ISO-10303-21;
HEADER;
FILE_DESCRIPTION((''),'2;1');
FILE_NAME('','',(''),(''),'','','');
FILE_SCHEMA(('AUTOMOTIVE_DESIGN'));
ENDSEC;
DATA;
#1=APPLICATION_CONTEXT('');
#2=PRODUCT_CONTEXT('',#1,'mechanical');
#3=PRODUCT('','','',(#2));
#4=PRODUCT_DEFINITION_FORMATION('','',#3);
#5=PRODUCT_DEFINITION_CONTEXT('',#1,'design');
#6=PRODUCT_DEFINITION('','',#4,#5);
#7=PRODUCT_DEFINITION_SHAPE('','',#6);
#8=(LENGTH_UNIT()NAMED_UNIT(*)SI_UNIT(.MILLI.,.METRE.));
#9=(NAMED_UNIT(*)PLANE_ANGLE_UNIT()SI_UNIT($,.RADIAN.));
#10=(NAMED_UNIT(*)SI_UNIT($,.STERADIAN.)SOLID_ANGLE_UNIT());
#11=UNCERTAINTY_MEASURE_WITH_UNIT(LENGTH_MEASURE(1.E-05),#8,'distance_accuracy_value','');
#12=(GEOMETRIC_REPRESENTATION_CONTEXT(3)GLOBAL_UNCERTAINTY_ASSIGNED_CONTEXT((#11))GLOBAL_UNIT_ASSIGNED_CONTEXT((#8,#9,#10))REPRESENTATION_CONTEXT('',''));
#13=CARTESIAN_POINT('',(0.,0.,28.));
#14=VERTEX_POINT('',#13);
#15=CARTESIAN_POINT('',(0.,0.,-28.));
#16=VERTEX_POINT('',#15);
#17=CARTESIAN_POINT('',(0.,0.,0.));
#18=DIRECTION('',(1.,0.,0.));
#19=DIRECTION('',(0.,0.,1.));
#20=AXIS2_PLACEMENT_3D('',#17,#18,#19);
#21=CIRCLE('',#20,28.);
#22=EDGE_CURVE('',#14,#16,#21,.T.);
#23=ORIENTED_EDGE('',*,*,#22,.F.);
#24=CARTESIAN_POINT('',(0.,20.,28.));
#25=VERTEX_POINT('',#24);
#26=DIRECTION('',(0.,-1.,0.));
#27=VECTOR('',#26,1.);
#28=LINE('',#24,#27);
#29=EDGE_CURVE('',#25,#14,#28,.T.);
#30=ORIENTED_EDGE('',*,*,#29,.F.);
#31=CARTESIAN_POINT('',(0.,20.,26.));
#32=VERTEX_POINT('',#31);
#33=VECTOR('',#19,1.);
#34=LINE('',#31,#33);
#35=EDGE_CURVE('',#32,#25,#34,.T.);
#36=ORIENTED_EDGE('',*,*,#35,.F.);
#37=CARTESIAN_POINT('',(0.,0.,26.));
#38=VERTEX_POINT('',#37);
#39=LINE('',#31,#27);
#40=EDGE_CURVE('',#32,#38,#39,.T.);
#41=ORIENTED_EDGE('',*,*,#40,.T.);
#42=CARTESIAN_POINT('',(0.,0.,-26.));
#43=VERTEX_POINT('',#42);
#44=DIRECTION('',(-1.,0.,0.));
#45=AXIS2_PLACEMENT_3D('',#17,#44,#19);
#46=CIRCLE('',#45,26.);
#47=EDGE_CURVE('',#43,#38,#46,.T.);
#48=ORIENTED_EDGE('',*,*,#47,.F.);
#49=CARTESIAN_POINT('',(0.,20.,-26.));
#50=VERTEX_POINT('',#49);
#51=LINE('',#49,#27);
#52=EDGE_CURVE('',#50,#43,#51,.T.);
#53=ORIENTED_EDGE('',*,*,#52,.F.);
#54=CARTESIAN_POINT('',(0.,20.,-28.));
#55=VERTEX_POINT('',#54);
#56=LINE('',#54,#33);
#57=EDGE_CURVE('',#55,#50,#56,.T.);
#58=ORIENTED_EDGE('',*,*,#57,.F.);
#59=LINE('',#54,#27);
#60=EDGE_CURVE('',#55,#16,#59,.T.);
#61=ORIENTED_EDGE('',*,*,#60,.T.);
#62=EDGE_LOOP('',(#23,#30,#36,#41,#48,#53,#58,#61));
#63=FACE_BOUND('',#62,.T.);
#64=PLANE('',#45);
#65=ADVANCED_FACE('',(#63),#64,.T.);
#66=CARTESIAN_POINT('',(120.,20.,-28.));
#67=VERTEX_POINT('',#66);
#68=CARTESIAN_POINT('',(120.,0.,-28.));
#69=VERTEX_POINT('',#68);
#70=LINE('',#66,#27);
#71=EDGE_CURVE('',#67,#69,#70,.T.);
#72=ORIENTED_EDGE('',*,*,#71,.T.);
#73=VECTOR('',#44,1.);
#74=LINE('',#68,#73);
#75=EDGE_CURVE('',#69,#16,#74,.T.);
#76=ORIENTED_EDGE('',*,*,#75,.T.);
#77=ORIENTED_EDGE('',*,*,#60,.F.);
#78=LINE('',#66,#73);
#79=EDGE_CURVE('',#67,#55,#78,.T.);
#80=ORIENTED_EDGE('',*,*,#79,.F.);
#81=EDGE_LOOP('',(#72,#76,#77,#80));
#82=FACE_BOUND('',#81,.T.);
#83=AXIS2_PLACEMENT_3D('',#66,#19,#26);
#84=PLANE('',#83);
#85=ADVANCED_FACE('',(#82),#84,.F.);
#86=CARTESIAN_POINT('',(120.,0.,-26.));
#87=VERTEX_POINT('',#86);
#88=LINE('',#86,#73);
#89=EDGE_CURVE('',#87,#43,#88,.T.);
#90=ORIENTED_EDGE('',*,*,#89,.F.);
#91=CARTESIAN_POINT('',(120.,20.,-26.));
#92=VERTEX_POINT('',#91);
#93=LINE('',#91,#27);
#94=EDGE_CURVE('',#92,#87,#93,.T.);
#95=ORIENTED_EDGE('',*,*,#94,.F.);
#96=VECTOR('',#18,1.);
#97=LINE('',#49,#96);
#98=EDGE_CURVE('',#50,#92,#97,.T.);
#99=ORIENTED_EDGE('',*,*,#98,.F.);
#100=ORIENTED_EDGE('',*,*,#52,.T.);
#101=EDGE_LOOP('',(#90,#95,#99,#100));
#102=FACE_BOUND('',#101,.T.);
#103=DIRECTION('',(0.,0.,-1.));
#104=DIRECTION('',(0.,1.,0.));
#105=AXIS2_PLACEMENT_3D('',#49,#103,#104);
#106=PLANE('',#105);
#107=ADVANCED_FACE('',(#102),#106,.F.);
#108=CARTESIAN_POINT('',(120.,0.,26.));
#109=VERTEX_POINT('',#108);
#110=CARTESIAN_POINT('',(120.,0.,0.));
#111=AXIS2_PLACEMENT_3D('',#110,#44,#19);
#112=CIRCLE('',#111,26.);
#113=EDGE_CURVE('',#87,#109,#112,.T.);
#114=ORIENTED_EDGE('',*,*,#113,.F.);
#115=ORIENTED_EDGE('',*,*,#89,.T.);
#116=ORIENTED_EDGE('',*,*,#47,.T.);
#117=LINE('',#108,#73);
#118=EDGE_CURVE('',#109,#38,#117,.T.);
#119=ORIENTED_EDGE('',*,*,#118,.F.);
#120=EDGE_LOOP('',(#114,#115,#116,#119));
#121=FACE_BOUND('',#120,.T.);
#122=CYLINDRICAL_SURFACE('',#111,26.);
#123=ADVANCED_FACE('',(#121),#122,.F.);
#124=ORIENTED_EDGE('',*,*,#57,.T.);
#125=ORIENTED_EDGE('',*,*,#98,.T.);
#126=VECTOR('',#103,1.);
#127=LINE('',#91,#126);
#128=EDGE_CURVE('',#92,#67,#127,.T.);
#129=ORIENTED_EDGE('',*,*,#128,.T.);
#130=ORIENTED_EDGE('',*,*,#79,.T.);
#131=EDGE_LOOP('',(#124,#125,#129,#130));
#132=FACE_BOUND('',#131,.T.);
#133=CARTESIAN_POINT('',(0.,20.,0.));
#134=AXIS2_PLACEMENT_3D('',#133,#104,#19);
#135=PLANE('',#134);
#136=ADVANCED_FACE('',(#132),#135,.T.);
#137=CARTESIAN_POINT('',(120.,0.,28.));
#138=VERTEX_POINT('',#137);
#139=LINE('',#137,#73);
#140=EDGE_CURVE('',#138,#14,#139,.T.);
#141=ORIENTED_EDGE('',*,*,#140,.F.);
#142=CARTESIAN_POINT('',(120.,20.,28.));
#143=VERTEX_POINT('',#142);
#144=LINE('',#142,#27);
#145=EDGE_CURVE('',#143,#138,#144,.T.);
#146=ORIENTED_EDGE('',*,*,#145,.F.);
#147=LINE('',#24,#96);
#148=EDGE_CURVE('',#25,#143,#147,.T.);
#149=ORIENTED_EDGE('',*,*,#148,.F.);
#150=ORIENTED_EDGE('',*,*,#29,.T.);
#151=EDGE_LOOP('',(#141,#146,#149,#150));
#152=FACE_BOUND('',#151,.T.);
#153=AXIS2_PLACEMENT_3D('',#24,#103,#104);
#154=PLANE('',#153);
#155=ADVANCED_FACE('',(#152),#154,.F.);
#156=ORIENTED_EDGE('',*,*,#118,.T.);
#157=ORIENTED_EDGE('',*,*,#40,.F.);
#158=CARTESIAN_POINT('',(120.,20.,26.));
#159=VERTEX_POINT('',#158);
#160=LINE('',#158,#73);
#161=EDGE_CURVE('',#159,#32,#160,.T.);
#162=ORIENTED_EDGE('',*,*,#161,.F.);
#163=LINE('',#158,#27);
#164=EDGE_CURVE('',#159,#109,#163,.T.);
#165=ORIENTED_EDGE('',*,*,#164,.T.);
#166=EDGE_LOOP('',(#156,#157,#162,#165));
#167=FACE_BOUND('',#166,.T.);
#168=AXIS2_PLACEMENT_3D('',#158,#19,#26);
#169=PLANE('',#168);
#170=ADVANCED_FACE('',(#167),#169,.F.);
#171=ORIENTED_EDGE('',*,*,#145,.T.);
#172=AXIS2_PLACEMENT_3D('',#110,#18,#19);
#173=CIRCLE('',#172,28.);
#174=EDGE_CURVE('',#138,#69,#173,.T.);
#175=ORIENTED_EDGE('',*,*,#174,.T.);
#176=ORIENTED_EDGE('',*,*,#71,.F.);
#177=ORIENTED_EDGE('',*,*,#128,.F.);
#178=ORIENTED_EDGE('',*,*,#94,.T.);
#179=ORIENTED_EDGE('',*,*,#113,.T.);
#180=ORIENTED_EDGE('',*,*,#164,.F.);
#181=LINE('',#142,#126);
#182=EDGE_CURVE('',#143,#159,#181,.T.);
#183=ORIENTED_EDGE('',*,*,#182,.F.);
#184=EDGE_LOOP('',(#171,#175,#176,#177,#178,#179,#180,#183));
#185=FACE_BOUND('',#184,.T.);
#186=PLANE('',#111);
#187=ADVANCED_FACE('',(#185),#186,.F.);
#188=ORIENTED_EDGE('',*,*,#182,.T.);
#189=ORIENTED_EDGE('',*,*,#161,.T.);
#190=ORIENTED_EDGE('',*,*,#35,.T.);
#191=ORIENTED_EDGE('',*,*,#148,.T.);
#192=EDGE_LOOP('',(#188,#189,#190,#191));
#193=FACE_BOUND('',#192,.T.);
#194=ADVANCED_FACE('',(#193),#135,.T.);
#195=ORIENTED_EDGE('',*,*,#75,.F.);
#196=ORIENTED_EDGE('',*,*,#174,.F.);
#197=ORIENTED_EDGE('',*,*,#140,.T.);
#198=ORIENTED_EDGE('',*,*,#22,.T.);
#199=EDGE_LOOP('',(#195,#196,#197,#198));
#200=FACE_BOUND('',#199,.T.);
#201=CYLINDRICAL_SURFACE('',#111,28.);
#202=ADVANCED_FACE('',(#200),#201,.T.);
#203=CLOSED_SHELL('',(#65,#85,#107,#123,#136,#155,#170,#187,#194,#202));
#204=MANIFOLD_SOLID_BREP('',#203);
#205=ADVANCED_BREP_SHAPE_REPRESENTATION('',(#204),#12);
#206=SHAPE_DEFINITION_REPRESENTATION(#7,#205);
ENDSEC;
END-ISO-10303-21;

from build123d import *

# Parameters (mm, degrees)
BOSS_EXTRUDE1_DEPTH = 120
SKETCH2_W           = 120
SKETCH2_H           = 2
BOSS_EXTRUDE2_DEPTH = 20


with BuildPart() as part:
    # Sketch1 → Boss-Extrude1 (new body)
    with BuildSketch(Plane(origin=(0, 0, 0), x_dir=(0, 0, -1), z_dir=(1, 0, 0))):
        with BuildLine():
            Line((26, 0), (28, 0))
            ThreePointArc((28, 0), (0, -28), (-28, 0))
            Line((-28, 0), (-26, 0))
            ThreePointArc((-26, 0), (0, -26), (26, 0))
        make_face()
    extrude(amount=BOSS_EXTRUDE1_DEPTH)

    # Sketch2 → Boss-Extrude2 (add)
    with BuildSketch(Plane(origin=(0, 0, 0), x_dir=(1, 0, 0), z_dir=(0, 1, 0))):
        with Locations((60, 27)):
            Rectangle(SKETCH2_W, SKETCH2_H)
        with Locations((60, -27)):
            Rectangle(SKETCH2_W, SKETCH2_H)
    extrude(amount=BOSS_EXTRUDE2_DEPTH)


solid = part.part
